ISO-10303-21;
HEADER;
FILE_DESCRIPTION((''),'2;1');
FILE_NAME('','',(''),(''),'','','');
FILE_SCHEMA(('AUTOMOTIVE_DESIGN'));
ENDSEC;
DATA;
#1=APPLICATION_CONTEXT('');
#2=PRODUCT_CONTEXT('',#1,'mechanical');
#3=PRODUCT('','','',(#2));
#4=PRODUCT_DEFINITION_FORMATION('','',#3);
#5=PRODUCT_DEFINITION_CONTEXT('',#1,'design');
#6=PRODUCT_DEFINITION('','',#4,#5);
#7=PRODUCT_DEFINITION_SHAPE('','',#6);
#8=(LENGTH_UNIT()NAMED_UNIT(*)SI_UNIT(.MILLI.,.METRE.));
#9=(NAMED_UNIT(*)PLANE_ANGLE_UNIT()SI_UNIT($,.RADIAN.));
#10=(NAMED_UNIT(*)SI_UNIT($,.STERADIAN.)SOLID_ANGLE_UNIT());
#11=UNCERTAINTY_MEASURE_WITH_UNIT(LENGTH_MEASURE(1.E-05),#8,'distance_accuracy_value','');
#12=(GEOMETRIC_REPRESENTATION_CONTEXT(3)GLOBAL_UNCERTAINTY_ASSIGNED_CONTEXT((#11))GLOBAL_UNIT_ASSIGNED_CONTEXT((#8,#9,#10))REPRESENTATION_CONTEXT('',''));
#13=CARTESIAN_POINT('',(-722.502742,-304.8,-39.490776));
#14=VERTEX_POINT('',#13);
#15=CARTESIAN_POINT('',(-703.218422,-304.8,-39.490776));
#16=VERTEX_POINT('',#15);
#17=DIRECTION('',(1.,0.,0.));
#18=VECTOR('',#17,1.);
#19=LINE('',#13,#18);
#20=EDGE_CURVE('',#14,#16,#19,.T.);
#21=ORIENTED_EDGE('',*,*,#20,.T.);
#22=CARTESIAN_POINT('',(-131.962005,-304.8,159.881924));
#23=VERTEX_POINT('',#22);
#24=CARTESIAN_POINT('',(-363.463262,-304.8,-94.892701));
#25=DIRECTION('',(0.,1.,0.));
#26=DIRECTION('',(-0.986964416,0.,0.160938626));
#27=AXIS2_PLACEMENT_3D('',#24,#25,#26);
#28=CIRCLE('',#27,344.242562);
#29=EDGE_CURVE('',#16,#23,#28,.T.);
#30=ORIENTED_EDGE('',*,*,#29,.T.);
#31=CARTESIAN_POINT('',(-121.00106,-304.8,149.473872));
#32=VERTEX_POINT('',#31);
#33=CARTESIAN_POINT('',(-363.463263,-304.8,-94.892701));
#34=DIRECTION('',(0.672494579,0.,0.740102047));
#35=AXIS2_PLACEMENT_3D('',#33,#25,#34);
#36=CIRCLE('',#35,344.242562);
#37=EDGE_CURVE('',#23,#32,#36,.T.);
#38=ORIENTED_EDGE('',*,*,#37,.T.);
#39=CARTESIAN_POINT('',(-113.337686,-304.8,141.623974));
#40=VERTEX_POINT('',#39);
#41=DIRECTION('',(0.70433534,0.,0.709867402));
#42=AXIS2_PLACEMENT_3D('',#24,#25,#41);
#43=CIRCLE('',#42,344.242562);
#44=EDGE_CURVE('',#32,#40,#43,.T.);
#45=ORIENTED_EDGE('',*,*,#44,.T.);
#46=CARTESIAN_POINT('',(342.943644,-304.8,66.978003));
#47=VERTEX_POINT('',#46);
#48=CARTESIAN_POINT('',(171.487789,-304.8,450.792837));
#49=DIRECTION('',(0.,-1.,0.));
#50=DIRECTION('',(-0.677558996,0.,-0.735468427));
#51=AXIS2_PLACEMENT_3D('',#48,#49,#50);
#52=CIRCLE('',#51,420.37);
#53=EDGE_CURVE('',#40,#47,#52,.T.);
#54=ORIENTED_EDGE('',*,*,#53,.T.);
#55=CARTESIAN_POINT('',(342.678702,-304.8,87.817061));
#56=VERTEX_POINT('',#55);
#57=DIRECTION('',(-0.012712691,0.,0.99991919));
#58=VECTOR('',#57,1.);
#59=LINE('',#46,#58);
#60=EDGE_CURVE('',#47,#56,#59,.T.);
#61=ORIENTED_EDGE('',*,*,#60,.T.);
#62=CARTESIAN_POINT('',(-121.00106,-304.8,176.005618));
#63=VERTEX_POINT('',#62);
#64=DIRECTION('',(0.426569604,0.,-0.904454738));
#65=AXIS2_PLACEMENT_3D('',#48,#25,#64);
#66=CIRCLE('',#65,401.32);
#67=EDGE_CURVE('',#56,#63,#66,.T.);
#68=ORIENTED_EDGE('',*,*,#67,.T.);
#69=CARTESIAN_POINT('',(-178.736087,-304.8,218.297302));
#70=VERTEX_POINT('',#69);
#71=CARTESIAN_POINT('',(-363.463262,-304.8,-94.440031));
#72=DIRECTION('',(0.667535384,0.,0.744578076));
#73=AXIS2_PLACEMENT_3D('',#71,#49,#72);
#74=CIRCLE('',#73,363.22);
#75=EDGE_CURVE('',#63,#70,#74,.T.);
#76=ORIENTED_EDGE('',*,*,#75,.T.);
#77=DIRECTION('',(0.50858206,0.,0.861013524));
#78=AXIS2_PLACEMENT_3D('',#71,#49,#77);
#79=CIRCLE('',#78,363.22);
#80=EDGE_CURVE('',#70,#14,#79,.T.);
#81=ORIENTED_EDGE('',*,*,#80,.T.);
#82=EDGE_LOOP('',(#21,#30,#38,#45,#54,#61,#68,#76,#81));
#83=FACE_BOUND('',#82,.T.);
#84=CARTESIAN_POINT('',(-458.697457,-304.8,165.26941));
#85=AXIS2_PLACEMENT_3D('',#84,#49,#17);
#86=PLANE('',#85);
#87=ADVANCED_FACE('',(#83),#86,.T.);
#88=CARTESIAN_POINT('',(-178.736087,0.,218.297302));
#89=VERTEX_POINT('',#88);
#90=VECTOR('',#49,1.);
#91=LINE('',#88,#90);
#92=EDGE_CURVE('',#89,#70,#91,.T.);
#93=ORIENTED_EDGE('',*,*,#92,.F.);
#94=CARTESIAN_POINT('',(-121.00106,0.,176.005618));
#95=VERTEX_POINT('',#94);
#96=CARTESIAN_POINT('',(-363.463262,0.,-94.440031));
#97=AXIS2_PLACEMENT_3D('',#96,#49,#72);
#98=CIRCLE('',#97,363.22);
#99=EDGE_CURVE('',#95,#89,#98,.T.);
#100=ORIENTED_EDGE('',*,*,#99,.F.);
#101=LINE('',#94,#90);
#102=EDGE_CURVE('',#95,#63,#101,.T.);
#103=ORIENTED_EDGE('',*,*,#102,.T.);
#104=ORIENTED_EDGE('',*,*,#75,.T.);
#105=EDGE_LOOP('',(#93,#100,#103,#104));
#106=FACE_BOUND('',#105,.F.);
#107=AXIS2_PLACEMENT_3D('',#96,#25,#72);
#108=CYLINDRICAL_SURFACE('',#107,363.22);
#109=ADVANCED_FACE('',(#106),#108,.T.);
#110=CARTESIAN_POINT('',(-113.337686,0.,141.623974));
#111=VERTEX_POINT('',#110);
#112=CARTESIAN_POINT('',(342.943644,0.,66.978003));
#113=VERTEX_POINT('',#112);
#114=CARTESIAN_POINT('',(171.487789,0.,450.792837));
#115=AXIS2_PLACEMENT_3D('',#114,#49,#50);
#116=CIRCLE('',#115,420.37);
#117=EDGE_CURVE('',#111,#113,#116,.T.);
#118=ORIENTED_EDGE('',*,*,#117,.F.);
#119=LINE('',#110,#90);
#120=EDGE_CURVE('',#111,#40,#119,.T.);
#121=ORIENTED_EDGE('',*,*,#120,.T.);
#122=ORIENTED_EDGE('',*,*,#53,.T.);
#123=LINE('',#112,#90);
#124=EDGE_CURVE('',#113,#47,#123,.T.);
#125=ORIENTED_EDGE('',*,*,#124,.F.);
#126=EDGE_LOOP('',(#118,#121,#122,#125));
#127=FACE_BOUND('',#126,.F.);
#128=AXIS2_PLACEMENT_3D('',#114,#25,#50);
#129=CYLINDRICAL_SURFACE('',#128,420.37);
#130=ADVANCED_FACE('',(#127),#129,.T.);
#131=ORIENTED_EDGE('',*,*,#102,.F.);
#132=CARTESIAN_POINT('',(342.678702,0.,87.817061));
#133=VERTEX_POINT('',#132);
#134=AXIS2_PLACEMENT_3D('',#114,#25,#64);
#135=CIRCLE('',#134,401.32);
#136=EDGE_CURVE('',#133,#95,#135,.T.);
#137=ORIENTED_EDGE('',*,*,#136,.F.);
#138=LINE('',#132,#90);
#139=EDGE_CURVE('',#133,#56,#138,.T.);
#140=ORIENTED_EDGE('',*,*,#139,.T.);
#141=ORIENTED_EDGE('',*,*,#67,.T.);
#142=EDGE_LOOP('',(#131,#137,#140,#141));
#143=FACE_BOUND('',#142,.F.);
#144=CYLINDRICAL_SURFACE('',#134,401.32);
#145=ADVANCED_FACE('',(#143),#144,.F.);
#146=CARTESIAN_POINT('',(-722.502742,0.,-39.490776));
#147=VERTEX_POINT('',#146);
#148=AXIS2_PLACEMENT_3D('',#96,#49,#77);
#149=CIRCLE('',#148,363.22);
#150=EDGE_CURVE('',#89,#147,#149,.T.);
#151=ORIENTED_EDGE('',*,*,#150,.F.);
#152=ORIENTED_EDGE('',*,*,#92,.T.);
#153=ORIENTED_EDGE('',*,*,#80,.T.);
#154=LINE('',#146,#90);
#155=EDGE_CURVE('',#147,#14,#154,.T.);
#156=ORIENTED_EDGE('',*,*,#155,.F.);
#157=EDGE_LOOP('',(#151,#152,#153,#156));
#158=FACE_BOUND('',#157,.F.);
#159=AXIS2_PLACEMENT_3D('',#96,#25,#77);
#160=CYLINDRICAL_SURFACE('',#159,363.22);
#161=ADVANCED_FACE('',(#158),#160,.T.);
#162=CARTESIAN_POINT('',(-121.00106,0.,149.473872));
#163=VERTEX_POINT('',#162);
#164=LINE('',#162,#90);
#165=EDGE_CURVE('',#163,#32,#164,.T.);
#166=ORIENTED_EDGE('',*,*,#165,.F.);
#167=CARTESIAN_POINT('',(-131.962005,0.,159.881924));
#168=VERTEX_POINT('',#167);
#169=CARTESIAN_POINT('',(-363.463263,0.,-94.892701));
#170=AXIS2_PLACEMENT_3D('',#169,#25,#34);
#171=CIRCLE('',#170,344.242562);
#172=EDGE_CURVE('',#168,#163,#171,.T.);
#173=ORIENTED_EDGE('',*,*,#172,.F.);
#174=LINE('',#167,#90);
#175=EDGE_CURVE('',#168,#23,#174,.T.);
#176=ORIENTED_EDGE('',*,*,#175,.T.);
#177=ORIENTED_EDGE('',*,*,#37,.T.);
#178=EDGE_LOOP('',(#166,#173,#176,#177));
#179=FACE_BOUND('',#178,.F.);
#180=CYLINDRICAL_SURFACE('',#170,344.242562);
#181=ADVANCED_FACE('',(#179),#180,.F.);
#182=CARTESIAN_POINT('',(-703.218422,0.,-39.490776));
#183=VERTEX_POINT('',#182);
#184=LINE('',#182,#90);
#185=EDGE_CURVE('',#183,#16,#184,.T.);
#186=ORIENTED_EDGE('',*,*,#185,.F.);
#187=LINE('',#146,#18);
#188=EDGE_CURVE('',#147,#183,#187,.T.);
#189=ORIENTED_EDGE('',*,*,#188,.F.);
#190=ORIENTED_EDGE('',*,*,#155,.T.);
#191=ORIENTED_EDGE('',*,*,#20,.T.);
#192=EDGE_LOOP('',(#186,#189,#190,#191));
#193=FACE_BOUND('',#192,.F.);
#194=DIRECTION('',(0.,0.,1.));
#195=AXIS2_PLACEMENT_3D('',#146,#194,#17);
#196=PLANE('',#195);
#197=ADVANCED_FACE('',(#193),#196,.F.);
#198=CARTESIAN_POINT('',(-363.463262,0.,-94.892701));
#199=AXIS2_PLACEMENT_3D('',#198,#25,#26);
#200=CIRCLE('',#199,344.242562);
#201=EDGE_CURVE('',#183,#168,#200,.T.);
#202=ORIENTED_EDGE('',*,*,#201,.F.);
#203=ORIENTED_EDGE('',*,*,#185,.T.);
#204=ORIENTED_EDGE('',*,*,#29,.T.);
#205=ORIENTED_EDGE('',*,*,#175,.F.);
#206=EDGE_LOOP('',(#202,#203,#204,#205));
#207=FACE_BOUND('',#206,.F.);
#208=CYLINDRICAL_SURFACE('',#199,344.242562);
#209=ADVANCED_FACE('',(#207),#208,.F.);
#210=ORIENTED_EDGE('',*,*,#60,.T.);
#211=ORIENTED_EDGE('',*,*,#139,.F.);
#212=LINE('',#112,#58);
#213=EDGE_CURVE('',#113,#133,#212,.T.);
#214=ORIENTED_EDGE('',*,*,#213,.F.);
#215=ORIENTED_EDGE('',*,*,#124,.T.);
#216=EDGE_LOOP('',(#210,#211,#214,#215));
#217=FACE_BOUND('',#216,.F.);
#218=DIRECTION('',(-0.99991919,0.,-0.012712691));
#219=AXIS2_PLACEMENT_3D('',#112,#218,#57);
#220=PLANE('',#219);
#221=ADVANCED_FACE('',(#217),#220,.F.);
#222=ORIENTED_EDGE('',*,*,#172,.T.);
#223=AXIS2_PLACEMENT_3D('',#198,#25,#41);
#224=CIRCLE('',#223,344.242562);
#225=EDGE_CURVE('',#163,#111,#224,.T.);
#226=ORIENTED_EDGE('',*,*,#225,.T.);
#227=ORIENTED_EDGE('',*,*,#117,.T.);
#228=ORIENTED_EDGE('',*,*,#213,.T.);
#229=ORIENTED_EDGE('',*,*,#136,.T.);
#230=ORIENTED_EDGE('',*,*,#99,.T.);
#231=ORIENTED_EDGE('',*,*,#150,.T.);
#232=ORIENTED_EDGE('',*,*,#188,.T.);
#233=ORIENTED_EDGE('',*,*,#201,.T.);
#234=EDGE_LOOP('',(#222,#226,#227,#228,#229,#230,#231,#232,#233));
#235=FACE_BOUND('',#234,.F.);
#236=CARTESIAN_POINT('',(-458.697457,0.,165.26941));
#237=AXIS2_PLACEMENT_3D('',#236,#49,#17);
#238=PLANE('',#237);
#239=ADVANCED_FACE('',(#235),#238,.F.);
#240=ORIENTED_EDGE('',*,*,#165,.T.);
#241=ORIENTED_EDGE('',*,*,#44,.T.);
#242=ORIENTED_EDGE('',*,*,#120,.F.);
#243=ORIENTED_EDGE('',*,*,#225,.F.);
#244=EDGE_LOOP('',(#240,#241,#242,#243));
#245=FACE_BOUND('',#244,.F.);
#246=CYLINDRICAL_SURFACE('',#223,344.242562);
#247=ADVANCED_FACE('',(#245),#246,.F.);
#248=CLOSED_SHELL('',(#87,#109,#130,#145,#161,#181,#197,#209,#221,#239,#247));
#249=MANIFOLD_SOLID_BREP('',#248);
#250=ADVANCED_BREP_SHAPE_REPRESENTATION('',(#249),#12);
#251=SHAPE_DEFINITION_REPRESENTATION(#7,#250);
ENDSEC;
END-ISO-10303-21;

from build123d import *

# Parameters (mm, degrees)
F1_DEPTH = 304.8


with BuildPart() as f1:
    # F0 (on Front) → F1 (new body)
    with BuildSketch(Plane.XZ):
        with BuildLine():
            Line((-722.502741993, -39.4907763148), (-703.2184218951, -39.4907763148))
            ThreePointArc((-703.2184218951, -39.4907763148), (-476.896481725, 230.1239850185), (-131.9620053887, 159.8819237894))
            ThreePointArc((-131.9620053887, 159.8819237894), (-156.6515196206, 188.0467023302), (-178.7360867864, 218.297301603))
            ThreePointArc((-178.7360867864, 218.297301603), (-519.0584683646, 233.7655456714), (-722.502741993, -39.4907763148))
        make_face()
        with BuildLine():
            ThreePointArc((-131.9620053887, 159.8819237894), (-126.424400558, 154.7380651604), (-121.0010603223, 149.4738720081))
            Line((-121.0010603223, 149.4738720081), (-121.0010603223, 176.0056181349))
            ThreePointArc((-121.0010603223, 176.0056181349), (-148.8244082157, 198.5769153845), (-178.7360867864, 218.297301603))
            ThreePointArc((-178.7360867864, 218.297301603), (-156.6515196206, 188.0467023302), (-131.9620053887, 159.8819237894))
        make_face()
        with BuildLine():
            ThreePointArc((-113.337686304, 141.6239741566), (103.6189967821, 35.9377248404), (342.9436439748, 66.9780031307))
            Line((342.9436439748, 66.9780031307), (342.6787020659, 87.8170613871))
            ThreePointArc((342.6787020659, 87.8170613871), (96.5037725153, 56.540202497), (-121.0010603223, 176.0056181349))
            Line((-121.0010603223, 176.0056181349), (-121.0010603223, 149.4738720081))
            ThreePointArc((-121.0010603223, 149.4738720081), (-117.1381012296, 145.5794521003), (-113.337686304, 141.6239741566))
        make_face()
    extrude(amount=F1_DEPTH)


solid = f1.part
